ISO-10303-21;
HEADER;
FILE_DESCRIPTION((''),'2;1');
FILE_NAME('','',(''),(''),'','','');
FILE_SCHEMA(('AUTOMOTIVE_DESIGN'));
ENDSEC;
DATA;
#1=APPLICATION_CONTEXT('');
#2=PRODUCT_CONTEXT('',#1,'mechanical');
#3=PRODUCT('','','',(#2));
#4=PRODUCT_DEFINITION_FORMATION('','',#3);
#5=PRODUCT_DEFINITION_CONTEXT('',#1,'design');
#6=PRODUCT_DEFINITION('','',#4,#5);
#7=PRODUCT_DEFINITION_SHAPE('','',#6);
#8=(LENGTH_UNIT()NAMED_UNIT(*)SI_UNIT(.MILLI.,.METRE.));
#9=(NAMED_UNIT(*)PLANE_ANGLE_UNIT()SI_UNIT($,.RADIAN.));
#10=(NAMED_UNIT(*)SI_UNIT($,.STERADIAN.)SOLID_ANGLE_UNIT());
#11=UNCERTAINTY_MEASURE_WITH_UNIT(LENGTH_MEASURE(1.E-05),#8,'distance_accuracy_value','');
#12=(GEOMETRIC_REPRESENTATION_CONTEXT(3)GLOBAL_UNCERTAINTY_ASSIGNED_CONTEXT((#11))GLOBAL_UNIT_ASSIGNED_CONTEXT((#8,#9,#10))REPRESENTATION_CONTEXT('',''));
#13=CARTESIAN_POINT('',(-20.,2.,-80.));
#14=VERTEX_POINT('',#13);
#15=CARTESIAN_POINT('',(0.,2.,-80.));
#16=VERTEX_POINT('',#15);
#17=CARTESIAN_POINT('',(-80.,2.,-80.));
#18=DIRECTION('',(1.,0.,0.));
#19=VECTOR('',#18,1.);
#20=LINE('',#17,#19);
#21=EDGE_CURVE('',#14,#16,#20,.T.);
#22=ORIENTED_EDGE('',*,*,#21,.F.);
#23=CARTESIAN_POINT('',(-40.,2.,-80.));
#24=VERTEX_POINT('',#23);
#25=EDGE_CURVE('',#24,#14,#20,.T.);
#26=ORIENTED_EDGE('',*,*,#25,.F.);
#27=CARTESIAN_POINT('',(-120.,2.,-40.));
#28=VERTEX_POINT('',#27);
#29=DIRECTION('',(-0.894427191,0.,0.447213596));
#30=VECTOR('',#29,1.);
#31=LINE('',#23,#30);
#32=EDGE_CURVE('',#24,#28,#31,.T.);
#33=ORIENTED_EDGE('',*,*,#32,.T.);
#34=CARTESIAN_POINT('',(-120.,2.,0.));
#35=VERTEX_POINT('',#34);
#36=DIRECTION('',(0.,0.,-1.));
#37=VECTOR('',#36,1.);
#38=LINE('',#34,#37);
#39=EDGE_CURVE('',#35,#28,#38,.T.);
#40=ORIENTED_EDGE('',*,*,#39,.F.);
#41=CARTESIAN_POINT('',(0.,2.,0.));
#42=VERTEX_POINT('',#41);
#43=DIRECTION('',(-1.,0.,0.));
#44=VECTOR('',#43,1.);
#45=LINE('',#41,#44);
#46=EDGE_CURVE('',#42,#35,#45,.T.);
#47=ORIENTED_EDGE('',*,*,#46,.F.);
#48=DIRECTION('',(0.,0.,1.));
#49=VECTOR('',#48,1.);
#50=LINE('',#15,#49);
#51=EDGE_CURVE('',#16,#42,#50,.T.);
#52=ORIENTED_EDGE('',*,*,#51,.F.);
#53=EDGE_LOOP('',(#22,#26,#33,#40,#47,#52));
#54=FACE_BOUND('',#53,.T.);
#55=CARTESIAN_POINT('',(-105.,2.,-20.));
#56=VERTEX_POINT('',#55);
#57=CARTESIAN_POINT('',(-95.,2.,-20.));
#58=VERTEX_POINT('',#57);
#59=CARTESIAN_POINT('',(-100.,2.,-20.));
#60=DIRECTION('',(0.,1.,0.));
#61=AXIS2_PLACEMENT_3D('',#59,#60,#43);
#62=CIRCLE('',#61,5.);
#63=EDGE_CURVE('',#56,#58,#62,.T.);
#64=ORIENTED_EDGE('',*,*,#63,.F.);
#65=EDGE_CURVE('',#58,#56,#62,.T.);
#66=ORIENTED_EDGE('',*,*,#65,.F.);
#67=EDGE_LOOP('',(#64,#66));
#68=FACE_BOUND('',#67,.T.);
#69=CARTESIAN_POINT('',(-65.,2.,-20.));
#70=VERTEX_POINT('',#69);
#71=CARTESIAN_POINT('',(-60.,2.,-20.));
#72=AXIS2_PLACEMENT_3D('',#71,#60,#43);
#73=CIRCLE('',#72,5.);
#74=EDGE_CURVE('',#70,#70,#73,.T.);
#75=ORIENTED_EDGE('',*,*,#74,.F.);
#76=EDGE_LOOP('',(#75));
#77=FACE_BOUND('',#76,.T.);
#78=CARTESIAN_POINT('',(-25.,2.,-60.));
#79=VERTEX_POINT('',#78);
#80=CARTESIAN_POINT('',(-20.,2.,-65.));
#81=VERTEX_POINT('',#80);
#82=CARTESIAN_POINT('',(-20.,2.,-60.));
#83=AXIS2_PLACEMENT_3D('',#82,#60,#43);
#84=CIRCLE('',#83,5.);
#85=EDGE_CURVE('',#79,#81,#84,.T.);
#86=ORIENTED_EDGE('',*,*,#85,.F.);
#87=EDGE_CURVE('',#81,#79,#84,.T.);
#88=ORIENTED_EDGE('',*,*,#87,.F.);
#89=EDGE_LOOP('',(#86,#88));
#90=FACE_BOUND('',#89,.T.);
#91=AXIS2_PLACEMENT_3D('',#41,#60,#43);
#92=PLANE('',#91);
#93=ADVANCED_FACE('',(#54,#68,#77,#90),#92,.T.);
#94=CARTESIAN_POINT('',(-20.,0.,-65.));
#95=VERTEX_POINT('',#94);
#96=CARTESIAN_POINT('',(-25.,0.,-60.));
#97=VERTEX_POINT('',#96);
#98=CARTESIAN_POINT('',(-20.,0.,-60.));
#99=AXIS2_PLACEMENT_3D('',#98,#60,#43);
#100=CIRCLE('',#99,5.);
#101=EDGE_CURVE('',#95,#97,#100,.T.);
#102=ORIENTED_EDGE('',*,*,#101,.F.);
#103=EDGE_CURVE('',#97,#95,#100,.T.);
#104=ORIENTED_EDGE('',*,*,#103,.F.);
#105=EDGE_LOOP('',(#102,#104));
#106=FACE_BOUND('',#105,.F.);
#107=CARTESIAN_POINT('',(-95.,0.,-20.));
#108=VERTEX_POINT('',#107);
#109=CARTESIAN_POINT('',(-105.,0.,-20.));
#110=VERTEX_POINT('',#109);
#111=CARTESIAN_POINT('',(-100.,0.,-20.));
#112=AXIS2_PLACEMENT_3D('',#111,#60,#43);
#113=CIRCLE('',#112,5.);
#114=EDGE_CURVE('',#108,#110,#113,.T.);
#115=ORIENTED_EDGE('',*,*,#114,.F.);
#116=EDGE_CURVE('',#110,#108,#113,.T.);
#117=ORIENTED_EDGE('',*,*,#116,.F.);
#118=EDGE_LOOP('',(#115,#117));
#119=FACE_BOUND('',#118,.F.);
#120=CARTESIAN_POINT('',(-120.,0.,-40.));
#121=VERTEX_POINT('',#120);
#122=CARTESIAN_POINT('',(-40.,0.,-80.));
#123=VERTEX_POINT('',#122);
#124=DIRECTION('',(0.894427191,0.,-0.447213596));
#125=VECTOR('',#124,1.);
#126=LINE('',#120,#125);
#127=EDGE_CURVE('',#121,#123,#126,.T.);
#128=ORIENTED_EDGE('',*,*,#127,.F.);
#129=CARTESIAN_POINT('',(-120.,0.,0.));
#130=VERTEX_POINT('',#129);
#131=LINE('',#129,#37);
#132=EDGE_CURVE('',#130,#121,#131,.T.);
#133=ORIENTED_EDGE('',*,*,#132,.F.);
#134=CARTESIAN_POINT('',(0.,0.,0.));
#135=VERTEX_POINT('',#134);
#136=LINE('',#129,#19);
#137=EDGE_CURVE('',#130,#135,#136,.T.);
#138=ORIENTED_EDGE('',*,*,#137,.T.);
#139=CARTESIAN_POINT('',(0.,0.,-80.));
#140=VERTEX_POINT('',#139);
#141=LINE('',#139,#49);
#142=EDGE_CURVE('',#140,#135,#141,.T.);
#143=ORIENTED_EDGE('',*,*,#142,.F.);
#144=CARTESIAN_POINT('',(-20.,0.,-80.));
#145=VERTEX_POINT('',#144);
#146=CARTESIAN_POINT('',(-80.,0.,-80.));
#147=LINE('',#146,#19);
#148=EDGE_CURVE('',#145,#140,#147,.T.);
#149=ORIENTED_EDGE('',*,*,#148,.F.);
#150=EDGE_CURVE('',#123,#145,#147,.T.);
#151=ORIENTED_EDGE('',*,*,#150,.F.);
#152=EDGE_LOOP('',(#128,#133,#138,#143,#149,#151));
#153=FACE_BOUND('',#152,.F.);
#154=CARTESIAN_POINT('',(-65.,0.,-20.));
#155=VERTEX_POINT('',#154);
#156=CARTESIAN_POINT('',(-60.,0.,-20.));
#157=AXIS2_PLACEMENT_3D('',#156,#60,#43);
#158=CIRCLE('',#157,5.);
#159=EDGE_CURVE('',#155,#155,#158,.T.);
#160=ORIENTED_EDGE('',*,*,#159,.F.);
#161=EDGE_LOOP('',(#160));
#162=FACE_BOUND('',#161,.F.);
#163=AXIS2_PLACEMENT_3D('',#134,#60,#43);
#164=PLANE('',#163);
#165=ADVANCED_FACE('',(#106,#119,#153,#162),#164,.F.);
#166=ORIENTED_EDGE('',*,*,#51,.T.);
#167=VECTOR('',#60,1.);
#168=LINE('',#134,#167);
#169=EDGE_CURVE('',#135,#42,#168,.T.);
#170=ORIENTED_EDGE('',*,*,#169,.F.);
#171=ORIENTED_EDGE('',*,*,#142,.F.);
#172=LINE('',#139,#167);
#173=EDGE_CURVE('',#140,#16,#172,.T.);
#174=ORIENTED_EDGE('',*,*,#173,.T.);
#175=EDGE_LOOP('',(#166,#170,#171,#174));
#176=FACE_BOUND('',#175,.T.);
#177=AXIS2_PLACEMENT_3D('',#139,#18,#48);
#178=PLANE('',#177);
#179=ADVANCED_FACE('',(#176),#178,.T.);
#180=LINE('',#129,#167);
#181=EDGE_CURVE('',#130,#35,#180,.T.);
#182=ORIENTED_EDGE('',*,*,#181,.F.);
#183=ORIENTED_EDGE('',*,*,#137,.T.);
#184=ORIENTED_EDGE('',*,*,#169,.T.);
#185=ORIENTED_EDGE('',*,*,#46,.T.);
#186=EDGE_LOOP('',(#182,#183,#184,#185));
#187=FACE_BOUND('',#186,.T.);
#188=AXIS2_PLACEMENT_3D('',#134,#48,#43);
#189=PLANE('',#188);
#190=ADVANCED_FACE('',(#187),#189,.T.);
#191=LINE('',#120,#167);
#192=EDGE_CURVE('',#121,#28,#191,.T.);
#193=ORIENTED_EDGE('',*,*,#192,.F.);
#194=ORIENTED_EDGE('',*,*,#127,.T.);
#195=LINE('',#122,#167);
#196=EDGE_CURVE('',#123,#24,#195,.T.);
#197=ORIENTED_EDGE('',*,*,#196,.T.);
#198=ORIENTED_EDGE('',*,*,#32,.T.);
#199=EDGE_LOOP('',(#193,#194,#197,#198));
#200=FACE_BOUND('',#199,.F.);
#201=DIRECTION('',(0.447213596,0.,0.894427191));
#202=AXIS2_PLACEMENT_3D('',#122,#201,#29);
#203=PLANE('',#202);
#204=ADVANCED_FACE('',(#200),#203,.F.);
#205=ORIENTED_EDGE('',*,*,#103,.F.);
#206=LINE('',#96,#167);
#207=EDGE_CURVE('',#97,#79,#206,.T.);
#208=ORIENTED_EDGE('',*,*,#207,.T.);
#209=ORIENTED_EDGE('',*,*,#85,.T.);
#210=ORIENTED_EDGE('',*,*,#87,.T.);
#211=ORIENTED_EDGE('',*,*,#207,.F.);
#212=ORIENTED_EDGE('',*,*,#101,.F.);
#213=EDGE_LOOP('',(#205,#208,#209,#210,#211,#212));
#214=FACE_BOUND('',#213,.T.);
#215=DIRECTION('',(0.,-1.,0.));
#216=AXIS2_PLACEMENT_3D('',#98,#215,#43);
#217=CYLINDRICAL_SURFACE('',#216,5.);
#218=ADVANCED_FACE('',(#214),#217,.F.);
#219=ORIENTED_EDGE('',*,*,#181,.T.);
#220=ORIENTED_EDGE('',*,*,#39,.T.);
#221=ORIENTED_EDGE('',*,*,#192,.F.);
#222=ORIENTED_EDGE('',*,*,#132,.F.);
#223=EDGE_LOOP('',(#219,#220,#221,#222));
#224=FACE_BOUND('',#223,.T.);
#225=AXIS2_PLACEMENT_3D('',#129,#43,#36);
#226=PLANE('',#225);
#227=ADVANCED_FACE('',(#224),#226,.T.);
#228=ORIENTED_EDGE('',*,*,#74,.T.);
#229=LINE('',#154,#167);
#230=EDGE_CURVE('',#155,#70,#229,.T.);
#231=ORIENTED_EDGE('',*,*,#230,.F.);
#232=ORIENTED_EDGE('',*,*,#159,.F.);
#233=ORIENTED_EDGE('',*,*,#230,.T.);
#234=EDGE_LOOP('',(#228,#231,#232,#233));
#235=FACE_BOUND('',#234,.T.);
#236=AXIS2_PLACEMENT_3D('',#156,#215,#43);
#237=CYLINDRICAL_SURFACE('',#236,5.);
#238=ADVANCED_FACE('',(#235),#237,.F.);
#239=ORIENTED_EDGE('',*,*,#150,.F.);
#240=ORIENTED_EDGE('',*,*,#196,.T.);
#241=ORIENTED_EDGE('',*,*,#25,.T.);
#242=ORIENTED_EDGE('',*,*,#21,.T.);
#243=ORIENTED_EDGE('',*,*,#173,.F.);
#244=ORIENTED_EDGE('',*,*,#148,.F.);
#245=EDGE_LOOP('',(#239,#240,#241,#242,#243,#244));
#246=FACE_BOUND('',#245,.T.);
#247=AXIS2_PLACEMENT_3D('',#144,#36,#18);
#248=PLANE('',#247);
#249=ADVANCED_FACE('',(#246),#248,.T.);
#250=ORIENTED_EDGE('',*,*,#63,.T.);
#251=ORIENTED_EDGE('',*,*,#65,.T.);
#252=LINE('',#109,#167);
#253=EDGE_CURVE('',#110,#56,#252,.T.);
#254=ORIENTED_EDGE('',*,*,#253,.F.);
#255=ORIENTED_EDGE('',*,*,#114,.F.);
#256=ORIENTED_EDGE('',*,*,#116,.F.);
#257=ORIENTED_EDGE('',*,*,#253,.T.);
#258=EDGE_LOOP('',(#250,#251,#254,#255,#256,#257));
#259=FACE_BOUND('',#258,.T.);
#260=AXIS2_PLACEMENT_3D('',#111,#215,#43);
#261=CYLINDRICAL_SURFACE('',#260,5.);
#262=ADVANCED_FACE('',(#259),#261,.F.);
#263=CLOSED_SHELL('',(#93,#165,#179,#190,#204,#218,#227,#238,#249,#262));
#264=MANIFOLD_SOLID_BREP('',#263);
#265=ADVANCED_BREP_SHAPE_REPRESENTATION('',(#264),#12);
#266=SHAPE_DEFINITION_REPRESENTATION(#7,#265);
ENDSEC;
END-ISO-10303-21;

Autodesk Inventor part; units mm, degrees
ref_plane "YZ Plane" through (0, 0, 0) normal (1, 0, 0) x (0, 1, 0)
ref_plane "XZ Plane" through (0, 0, 0) normal (0, 1, 0) x (-1, 0, 0)
ref_plane "XY Plane" through (0, 0, 0) normal (0, 0, 1) x (1, 0, 0)
sketch "Эскиз1" plane through (0, 0, 0) normal (0, 1, 0) x (-1, 0, 0)
  line L0 (0, 0) -> (80, 0)
  line L1 (80, 0) -> (80, -80)
  line L2 (80, -80) -> (0, -80)
  line L3 (0, -80) -> (0, 0)
  line L4 (80, 0) -> (80, -40)
  line L5 (80, -20) -> (60, -20)
  line L6 (40, -80) -> (0, -80)
  line L7 (20, -80) -> (20, -60)
  circle A0 centre (60, -20) radius 5
  circle A1 centre (20, -60) radius 5
  line L8 (80, 0) -> (120, 0)
  line L9 (120, 0) -> (120, -40)
  line L10 (120, -40) -> (80, -40)
  line L11 (80, -40) -> (80, 0)
  line L12 (0, -80) -> (40, -80)
  line L13 (40, -80) -> (120, -40)
  line L14 (80, -20) -> (100, -20)
  circle A2 centre (100, -20) radius 5
  dimension "d0" = 80
  dimension "d1" = 80
  dimension "d2" = 40
  dimension "d3" = 20
  dimension "d4" = 20
  dimension "d5" = 10
  dimension "d6" = 10
  dimension "d7" = 40
  dimension "d8" = 40
  dimension "d9" = 40
  dimension "d10" = 10
extrude "Выдавливание1" add sketch "Эскиз1" along normal blind 2 contours L0 L1 L13 L2 L3 | L8 L9 L10 L1 | L10 L13 L1
properties part number "Угол 80х40"
